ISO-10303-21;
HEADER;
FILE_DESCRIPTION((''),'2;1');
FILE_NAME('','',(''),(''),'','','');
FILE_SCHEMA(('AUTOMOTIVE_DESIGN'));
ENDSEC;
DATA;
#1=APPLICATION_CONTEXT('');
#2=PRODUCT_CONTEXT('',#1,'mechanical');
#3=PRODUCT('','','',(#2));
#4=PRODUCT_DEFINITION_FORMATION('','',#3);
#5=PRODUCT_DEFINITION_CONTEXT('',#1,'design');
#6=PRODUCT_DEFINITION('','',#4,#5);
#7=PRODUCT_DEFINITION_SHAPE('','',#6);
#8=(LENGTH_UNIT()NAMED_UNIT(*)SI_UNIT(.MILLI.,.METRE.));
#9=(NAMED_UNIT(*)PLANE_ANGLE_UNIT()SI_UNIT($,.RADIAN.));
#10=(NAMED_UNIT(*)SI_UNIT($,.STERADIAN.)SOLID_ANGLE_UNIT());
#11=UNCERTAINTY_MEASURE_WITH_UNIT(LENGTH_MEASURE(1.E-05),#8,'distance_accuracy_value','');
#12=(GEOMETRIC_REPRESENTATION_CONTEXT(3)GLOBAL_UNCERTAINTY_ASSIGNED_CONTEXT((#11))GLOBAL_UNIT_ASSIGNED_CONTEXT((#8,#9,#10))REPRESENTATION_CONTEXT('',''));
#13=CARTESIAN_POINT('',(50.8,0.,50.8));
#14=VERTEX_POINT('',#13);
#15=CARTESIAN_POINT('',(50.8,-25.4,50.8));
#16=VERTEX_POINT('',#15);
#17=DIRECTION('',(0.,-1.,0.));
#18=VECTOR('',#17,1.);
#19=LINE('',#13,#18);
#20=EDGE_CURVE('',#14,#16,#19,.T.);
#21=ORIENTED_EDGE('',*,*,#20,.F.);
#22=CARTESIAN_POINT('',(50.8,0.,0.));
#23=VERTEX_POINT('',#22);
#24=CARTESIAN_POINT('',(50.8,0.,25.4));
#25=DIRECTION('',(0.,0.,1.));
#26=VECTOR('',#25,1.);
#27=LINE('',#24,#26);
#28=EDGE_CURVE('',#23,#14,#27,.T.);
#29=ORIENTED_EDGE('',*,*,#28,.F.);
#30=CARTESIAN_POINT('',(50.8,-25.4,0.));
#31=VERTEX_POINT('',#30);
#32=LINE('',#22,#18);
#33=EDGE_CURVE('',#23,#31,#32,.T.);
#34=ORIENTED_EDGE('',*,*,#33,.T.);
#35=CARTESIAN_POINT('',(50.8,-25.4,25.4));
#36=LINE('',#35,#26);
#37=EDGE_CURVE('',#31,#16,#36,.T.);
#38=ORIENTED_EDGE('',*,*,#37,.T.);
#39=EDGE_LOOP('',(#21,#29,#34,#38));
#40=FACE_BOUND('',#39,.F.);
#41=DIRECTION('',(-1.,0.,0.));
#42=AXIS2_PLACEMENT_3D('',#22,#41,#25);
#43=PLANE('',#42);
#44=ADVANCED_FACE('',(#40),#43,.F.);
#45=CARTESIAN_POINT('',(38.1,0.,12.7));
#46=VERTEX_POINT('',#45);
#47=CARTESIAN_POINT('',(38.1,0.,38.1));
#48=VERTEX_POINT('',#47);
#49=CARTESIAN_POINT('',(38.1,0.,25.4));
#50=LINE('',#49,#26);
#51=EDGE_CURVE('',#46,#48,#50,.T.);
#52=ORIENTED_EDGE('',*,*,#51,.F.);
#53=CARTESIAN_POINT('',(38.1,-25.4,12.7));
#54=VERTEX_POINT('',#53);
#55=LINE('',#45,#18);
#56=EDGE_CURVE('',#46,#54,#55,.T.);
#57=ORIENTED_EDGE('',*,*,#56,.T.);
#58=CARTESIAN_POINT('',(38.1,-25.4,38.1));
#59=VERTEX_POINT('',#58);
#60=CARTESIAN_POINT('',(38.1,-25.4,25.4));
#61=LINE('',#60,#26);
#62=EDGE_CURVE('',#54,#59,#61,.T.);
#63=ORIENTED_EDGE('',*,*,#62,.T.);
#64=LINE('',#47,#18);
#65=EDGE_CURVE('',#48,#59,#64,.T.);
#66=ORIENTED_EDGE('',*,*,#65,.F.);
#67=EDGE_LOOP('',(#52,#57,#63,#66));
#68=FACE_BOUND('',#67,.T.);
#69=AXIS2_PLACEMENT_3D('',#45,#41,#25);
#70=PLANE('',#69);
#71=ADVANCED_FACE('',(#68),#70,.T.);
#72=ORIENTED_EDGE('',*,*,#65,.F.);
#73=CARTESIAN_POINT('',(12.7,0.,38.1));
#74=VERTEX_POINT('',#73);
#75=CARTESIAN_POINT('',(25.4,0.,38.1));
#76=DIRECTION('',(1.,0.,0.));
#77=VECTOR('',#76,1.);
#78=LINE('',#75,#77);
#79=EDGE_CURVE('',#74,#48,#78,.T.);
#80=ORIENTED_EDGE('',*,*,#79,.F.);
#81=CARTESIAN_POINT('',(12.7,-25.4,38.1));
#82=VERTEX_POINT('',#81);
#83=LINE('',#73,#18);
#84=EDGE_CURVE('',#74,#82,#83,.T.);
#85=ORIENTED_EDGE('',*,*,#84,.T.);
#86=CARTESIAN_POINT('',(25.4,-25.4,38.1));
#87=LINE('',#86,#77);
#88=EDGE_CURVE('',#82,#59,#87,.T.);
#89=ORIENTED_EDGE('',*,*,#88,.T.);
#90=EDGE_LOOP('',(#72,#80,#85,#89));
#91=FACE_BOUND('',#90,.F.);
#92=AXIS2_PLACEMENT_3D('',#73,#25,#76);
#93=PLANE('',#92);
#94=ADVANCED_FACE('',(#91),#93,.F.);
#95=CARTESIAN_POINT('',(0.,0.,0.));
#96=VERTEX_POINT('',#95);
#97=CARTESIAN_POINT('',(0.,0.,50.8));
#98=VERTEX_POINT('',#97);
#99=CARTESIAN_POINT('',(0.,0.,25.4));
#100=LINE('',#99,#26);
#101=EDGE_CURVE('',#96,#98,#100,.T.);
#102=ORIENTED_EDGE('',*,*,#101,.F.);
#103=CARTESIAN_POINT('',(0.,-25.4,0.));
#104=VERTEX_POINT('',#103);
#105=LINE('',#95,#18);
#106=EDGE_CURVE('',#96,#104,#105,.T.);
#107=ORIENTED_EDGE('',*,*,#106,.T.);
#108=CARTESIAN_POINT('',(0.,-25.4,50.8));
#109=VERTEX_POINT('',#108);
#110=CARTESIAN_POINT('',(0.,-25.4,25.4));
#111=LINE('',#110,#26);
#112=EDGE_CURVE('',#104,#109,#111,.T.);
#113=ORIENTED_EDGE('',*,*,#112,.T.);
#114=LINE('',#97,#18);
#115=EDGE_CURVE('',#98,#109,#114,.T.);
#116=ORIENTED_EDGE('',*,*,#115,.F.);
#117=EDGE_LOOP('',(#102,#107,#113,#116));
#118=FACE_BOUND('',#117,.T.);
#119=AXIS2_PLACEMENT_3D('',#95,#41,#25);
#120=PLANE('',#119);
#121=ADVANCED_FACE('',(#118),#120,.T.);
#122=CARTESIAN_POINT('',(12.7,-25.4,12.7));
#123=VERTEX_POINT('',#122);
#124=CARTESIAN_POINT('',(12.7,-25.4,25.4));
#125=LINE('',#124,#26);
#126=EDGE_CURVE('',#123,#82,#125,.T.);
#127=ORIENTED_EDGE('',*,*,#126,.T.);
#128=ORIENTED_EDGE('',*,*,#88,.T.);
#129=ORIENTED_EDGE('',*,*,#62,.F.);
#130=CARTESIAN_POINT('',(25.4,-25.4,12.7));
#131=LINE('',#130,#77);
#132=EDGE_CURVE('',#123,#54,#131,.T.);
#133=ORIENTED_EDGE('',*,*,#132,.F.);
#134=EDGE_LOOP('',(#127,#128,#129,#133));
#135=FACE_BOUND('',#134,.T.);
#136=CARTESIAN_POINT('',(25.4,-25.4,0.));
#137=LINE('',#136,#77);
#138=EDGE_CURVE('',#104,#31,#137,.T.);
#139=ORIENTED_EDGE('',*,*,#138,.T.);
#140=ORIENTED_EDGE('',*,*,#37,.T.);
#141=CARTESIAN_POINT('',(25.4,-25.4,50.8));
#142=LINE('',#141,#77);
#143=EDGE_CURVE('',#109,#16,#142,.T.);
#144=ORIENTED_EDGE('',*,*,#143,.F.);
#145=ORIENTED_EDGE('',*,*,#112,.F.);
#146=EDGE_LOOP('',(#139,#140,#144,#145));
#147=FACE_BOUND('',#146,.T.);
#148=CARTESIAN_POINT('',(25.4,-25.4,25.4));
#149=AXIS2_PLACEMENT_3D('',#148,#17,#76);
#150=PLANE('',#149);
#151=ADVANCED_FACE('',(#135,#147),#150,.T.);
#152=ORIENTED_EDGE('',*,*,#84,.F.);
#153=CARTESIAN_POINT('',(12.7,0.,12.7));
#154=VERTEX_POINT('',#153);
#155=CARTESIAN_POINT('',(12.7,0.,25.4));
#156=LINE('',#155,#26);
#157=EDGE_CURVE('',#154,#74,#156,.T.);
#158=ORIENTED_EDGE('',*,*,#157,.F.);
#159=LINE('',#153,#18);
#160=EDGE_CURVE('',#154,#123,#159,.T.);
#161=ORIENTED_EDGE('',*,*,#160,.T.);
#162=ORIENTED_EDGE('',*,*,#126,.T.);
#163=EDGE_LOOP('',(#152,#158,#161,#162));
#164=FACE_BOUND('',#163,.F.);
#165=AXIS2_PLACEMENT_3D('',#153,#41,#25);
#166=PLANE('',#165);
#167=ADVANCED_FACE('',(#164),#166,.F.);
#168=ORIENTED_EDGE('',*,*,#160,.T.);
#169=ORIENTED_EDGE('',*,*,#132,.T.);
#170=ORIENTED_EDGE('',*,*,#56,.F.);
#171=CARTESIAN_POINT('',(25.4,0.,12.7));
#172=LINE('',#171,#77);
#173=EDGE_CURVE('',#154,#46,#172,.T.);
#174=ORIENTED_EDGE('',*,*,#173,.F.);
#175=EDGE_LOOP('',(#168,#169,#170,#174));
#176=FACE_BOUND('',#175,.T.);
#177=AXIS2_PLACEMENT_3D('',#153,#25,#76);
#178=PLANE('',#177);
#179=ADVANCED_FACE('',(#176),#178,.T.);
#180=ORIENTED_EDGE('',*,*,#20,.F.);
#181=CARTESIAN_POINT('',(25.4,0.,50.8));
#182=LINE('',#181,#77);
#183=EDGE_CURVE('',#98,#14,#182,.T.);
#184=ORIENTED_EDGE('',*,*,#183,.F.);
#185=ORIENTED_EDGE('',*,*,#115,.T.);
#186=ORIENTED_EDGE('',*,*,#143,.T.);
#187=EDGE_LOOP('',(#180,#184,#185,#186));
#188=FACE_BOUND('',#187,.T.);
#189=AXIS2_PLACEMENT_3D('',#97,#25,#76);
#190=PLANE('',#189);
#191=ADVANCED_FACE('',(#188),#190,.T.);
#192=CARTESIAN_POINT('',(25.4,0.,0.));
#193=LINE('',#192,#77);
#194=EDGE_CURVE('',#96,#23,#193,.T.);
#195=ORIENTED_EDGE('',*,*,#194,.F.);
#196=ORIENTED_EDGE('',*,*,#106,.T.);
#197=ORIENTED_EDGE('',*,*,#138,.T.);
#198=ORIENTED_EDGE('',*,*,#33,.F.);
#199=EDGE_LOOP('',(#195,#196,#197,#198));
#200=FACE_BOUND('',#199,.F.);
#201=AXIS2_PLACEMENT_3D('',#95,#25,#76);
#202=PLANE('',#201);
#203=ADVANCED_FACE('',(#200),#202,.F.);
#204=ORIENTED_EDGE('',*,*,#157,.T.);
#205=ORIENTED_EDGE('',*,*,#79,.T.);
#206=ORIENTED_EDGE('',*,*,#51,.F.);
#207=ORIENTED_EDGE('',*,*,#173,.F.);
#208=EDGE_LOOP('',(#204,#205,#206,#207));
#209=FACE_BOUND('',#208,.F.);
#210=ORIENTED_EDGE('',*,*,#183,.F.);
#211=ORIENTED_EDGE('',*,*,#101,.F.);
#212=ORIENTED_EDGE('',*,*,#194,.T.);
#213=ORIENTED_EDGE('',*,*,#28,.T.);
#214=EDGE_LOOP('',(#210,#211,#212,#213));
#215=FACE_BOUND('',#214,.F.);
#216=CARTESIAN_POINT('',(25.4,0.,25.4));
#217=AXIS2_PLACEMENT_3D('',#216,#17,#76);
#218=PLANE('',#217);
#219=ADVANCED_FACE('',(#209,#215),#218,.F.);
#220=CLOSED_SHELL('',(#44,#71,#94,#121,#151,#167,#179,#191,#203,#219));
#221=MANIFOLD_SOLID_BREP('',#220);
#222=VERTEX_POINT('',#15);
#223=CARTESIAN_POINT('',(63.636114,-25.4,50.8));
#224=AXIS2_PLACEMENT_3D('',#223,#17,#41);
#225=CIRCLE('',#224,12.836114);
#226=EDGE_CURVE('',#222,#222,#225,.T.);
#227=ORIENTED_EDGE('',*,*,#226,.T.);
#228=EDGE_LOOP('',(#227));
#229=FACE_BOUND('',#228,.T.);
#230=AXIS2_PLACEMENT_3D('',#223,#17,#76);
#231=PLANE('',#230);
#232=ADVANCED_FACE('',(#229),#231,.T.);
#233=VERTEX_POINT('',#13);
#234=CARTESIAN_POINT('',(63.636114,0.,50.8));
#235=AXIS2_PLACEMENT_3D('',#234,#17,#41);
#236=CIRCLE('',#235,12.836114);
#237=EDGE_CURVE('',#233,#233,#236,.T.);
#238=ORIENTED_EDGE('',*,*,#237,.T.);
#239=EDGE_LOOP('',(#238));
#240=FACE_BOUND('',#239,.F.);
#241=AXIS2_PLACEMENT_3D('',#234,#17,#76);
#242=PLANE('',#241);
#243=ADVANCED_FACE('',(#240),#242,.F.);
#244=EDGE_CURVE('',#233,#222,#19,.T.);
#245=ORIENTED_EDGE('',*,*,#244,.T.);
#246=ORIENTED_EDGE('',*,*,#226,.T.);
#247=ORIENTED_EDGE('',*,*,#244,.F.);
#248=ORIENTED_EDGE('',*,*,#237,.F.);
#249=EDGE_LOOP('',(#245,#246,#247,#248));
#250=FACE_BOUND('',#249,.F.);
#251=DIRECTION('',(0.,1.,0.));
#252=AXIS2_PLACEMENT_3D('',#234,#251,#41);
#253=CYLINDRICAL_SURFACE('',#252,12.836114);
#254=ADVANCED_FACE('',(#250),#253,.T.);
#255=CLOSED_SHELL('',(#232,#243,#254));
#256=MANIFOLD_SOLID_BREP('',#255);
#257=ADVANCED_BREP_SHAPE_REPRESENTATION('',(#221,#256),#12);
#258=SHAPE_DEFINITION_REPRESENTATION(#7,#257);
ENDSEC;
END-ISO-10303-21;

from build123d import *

# Parameters (mm, degrees)
F0_W     = 50.8
F0_H     = 50.8
F0_W_2   = 25.4
F0_H_2   = 25.4
F1_DEPTH = 25.4


with BuildPart() as f1:
    # F0 (on Front) → F1 (new body)
    with BuildSketch(Plane.XZ):
        with BuildLine():
            ThreePointArc((76.472228, 50.8), (63.636114, 63.636114), (50.8, 50.8))
            ThreePointArc((50.8, 50.8), (63.636114, 37.963886), (76.472228, 50.8))
        make_face()
        with Locations((25.4, 25.4)):
            Rectangle(F0_W, F0_H)
        with Locations((25.4, 25.4)):
            Rectangle(F0_W_2, F0_H_2, mode=Mode.SUBTRACT)
    extrude(amount=F1_DEPTH)


solid = f1.part
